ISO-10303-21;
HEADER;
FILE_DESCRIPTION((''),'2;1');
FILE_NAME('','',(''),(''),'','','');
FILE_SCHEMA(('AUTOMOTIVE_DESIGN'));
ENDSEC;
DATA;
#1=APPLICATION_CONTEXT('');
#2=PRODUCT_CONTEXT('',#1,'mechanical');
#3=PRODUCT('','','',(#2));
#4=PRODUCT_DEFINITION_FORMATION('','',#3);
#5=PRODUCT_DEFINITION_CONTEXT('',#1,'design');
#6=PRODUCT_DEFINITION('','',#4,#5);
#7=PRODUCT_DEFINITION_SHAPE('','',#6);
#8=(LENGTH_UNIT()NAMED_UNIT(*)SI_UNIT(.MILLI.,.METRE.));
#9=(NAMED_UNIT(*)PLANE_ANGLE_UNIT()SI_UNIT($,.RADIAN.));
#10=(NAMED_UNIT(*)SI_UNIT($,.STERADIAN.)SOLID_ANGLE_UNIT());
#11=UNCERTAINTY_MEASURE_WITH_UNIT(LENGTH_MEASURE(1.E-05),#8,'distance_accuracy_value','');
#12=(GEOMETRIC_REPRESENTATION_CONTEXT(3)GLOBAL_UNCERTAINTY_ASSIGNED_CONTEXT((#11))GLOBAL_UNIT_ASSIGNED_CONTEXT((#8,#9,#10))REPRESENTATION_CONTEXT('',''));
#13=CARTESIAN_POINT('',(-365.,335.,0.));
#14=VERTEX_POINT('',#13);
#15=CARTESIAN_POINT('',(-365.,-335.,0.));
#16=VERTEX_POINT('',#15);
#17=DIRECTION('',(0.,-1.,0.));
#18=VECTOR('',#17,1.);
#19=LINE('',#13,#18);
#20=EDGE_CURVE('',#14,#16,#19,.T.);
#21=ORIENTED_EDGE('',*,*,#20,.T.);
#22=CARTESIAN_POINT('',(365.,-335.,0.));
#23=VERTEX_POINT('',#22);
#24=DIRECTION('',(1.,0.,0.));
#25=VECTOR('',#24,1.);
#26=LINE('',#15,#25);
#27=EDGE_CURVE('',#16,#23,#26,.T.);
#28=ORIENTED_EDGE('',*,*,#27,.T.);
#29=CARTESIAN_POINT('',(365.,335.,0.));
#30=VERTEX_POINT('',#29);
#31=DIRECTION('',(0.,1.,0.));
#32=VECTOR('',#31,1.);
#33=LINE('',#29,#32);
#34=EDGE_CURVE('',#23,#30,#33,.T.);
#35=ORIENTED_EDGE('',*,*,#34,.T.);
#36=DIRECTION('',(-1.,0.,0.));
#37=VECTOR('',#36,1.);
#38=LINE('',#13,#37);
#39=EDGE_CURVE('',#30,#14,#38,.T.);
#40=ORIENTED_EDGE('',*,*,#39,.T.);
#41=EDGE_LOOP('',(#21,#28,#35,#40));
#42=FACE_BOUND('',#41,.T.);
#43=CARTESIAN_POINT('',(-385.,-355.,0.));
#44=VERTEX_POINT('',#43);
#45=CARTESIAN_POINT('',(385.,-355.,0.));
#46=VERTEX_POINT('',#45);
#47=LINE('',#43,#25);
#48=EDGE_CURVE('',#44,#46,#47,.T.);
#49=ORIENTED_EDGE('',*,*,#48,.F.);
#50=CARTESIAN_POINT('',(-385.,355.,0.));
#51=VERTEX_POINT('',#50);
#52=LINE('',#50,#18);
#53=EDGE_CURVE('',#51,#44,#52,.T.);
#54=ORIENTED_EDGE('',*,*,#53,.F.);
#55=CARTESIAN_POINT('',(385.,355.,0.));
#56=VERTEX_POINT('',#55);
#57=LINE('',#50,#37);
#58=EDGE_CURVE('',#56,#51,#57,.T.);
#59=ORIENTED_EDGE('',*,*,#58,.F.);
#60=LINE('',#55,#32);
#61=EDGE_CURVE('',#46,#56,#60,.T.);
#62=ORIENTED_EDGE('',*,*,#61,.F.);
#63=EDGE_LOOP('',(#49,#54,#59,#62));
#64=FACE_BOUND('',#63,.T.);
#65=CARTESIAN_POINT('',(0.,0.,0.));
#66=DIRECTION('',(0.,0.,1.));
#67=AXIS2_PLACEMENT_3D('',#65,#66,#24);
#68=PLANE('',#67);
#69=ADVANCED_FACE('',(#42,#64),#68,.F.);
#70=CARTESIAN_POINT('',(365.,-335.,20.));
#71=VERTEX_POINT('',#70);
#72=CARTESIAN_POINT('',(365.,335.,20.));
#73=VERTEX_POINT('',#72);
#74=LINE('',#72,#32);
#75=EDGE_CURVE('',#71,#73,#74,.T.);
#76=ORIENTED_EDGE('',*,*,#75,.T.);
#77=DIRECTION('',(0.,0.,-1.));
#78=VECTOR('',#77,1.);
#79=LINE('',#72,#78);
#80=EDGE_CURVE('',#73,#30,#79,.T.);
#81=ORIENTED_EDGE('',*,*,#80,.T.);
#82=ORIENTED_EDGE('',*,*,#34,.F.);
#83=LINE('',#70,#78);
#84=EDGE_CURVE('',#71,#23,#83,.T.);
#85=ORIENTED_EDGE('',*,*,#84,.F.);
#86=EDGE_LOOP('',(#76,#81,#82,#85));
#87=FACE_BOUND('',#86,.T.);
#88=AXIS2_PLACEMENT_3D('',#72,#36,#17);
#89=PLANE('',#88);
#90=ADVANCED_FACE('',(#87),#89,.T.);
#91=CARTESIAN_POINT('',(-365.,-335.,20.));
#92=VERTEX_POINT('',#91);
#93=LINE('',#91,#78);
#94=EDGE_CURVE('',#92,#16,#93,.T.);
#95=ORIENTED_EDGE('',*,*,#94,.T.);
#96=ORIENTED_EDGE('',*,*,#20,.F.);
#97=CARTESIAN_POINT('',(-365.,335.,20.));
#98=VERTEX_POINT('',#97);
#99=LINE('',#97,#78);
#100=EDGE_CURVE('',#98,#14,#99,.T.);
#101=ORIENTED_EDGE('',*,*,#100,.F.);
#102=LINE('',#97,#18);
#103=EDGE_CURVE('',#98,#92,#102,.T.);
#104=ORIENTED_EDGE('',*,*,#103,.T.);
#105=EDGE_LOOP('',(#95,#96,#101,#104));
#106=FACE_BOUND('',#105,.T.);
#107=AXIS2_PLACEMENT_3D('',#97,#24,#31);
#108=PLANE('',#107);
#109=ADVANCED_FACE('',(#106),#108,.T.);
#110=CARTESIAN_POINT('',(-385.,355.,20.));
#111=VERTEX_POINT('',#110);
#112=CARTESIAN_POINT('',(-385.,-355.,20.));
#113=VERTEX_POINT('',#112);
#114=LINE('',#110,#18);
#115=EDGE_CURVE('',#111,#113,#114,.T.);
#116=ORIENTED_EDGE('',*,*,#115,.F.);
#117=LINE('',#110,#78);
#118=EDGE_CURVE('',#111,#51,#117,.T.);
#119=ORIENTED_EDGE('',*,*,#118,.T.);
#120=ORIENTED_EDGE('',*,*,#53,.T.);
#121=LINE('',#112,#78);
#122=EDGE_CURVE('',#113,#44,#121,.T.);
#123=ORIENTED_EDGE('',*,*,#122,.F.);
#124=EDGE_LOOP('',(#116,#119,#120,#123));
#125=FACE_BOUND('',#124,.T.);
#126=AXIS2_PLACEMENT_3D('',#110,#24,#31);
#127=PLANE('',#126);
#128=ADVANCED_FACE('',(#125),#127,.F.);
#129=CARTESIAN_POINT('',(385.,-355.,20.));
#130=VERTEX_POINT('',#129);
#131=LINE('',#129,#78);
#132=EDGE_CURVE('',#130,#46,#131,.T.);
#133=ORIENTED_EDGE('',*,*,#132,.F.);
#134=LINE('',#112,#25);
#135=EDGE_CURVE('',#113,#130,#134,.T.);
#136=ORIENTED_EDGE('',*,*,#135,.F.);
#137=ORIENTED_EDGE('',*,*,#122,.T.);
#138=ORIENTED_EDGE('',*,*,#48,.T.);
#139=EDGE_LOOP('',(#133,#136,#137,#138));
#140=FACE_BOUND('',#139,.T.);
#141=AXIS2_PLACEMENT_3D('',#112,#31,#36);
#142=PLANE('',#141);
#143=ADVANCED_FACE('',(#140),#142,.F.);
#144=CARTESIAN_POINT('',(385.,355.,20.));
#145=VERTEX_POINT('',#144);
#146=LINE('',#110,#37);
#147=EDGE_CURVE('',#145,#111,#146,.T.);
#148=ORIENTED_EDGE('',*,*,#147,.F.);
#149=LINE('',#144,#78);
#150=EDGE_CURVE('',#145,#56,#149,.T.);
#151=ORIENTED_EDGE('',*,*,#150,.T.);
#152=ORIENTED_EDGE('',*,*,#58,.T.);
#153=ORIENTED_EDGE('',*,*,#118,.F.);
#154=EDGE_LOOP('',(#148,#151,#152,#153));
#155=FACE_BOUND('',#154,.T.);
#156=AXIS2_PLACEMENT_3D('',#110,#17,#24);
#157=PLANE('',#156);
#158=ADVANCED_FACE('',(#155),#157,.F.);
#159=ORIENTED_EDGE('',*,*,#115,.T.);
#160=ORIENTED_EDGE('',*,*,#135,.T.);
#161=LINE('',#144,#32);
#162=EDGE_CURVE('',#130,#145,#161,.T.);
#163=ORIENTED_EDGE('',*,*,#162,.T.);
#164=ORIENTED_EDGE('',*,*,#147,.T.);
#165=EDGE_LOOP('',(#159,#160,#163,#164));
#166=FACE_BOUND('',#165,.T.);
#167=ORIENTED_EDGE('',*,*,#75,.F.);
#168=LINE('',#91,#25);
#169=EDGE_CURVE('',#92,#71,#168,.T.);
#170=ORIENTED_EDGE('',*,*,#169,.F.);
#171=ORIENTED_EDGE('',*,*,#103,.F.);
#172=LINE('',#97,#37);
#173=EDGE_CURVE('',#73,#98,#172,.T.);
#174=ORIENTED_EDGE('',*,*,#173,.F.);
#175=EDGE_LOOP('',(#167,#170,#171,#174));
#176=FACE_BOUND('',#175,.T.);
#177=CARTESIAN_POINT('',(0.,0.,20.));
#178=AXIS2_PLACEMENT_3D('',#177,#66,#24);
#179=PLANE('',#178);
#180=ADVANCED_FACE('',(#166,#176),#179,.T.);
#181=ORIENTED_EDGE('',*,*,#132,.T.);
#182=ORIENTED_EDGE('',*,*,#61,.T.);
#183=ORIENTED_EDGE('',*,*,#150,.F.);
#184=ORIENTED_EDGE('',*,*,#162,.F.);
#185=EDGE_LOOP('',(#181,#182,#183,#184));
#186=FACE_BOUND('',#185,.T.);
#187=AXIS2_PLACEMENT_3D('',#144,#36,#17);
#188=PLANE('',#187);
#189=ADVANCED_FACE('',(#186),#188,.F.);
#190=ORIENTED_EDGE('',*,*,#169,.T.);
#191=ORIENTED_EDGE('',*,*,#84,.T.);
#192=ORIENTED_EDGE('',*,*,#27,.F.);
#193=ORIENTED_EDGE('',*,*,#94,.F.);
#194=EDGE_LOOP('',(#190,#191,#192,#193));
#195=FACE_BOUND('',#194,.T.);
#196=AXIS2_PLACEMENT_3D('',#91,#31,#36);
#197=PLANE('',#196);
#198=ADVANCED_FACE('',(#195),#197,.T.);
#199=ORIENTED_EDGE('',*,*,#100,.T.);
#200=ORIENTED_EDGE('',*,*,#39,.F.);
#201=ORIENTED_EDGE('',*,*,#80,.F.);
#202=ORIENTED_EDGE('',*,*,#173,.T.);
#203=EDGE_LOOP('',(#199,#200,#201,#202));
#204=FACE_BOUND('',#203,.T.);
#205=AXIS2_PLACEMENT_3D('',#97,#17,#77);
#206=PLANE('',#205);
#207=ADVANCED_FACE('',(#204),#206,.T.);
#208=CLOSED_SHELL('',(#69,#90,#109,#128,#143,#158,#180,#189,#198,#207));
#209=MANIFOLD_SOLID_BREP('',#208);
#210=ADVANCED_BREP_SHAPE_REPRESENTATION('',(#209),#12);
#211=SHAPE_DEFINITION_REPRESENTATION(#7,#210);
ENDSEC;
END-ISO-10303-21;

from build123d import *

# Parameters (mm, degrees)
SKETCH1_W           = 770
SKETCH1_H           = 710
SKETCH1_W_2         = 730
SKETCH1_H_2         = 670
BOSS_EXTRUDE1_DEPTH = 20


with BuildPart() as part:
    # Sketch1 → Boss-Extrude1 (new body)
    with BuildSketch(Plane.XY):
        Rectangle(SKETCH1_W, SKETCH1_H)
        Rectangle(SKETCH1_W_2, SKETCH1_H_2, mode=Mode.SUBTRACT)
    extrude(amount=BOSS_EXTRUDE1_DEPTH)


solid = part.part
